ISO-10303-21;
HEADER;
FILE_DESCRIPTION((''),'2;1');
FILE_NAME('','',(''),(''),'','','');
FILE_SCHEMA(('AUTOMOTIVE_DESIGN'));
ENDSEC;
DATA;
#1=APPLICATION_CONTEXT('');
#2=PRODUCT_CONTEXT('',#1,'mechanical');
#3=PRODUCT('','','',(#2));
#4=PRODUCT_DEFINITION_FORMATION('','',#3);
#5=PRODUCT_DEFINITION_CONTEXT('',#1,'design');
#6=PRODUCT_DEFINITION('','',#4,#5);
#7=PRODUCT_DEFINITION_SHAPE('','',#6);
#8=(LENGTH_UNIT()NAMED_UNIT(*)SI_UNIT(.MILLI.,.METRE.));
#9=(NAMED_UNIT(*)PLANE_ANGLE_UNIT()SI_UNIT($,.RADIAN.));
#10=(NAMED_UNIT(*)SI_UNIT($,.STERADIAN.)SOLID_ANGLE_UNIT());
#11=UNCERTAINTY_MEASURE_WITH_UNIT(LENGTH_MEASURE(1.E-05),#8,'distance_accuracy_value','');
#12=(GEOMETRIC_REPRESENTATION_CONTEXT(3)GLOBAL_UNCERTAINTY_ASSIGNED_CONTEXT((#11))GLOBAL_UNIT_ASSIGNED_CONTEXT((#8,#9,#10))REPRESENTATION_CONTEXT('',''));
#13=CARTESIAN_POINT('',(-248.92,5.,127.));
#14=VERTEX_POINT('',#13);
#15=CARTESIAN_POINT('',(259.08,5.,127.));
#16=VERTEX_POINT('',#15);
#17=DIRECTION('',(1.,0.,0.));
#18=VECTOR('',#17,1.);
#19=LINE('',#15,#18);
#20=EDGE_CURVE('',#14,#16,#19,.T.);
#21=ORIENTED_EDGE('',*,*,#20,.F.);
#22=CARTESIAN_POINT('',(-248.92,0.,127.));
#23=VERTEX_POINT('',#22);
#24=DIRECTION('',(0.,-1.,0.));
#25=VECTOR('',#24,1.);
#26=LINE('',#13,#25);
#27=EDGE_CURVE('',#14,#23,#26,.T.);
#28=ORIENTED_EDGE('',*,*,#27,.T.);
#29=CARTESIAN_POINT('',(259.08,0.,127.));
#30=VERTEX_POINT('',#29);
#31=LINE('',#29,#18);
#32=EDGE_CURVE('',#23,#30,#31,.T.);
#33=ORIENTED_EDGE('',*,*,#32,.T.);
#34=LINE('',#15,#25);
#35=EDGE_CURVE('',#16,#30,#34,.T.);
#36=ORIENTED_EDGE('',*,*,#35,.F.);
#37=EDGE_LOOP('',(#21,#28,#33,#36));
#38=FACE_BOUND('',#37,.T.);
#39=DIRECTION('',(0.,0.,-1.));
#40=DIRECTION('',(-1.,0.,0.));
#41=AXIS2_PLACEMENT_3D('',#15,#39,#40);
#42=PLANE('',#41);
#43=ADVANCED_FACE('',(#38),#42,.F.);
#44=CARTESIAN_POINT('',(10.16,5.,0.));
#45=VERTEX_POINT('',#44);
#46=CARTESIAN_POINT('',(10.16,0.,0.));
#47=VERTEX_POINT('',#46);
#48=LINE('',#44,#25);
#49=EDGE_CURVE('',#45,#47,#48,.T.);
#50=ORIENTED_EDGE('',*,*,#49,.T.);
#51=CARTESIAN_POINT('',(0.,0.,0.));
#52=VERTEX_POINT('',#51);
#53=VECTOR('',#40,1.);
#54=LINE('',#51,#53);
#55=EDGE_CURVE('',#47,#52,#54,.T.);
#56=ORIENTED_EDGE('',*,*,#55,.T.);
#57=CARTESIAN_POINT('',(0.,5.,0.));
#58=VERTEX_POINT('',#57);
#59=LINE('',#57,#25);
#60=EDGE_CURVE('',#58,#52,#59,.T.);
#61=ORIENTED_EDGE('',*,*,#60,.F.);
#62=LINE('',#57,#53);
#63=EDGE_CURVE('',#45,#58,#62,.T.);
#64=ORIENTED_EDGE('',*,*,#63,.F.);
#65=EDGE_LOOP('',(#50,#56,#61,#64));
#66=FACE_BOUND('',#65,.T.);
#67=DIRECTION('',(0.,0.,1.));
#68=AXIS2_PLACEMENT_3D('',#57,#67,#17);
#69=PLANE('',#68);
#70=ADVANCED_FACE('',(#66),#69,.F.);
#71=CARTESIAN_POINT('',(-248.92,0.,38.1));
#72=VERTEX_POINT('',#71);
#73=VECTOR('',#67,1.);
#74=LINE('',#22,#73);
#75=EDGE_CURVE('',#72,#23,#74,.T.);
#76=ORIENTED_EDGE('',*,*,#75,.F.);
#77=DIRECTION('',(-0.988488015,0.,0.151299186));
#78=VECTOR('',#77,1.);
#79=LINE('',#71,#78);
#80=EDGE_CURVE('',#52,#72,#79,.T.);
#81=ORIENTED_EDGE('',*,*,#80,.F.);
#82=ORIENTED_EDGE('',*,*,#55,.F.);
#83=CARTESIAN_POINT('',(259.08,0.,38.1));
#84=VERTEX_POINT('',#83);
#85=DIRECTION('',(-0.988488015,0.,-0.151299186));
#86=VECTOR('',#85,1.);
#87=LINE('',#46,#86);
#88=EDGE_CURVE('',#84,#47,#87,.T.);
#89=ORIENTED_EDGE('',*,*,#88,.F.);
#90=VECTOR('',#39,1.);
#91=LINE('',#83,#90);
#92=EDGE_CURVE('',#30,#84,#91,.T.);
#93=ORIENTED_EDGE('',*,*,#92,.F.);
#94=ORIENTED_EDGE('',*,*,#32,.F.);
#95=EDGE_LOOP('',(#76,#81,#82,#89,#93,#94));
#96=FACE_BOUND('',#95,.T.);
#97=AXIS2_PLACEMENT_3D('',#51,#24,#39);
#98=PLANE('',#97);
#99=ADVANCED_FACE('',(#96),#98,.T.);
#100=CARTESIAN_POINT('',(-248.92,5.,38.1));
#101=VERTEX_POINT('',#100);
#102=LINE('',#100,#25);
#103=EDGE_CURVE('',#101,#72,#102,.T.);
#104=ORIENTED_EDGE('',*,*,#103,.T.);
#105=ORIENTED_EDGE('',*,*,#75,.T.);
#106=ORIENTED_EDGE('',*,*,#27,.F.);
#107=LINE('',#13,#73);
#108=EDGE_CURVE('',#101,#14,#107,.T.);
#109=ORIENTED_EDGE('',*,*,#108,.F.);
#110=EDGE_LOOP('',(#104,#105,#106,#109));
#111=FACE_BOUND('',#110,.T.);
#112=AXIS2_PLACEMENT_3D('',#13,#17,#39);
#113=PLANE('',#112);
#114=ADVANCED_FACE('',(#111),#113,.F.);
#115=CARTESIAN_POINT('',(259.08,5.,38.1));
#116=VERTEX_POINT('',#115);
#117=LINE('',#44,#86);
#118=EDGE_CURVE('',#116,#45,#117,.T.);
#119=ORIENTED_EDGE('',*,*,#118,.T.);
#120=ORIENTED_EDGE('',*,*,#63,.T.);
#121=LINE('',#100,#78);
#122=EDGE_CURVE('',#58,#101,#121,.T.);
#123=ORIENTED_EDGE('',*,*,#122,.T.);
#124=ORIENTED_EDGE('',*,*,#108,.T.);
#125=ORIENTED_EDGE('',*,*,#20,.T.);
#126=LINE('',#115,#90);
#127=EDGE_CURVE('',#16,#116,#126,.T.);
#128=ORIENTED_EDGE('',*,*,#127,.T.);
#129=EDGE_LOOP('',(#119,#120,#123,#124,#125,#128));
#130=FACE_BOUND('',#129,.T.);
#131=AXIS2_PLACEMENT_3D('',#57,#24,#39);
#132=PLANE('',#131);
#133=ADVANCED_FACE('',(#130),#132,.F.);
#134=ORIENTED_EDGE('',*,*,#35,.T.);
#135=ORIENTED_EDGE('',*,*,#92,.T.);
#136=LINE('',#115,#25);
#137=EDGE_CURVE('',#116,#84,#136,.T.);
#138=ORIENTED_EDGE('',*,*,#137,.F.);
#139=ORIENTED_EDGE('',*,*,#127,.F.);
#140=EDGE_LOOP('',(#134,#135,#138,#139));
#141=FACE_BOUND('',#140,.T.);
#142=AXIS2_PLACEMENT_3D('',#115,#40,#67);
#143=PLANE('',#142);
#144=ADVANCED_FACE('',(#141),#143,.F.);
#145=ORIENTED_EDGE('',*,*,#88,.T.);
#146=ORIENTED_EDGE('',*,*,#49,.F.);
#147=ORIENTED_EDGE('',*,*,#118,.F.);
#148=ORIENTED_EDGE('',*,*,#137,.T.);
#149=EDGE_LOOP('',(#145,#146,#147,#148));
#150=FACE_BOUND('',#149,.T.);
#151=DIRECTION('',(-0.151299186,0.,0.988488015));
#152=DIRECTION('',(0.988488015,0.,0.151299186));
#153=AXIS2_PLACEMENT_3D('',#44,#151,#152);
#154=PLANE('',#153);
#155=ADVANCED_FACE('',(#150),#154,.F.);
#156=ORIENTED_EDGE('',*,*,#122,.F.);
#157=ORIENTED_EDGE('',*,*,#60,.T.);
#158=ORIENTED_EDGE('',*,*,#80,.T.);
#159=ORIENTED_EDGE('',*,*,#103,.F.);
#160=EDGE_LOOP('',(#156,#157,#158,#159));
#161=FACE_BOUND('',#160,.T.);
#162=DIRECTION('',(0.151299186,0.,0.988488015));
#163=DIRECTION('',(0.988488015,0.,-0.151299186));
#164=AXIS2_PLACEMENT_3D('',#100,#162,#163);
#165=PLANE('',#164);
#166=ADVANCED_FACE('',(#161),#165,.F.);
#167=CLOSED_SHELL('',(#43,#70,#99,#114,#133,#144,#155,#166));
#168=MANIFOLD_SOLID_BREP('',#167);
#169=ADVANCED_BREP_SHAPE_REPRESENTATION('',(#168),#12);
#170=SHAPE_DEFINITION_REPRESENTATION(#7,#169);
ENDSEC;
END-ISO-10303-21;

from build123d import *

# Parameters (mm, degrees)
BOSS_EXTRUDE1_DEPTH = 5


with BuildPart() as part:
    # Sketch1 → Boss-Extrude1 (new body)
    with BuildSketch(Plane(origin=(0, 0, 0), x_dir=(1, 0, 0), z_dir=(0, 1, 0))):
        Polygon((0, 0), (10.16, 0), (259.08, -38.1), (259.08, -127), (-248.92, -127), (-248.92, -38.1), align=None)
    extrude(amount=BOSS_EXTRUDE1_DEPTH)


solid = part.part
